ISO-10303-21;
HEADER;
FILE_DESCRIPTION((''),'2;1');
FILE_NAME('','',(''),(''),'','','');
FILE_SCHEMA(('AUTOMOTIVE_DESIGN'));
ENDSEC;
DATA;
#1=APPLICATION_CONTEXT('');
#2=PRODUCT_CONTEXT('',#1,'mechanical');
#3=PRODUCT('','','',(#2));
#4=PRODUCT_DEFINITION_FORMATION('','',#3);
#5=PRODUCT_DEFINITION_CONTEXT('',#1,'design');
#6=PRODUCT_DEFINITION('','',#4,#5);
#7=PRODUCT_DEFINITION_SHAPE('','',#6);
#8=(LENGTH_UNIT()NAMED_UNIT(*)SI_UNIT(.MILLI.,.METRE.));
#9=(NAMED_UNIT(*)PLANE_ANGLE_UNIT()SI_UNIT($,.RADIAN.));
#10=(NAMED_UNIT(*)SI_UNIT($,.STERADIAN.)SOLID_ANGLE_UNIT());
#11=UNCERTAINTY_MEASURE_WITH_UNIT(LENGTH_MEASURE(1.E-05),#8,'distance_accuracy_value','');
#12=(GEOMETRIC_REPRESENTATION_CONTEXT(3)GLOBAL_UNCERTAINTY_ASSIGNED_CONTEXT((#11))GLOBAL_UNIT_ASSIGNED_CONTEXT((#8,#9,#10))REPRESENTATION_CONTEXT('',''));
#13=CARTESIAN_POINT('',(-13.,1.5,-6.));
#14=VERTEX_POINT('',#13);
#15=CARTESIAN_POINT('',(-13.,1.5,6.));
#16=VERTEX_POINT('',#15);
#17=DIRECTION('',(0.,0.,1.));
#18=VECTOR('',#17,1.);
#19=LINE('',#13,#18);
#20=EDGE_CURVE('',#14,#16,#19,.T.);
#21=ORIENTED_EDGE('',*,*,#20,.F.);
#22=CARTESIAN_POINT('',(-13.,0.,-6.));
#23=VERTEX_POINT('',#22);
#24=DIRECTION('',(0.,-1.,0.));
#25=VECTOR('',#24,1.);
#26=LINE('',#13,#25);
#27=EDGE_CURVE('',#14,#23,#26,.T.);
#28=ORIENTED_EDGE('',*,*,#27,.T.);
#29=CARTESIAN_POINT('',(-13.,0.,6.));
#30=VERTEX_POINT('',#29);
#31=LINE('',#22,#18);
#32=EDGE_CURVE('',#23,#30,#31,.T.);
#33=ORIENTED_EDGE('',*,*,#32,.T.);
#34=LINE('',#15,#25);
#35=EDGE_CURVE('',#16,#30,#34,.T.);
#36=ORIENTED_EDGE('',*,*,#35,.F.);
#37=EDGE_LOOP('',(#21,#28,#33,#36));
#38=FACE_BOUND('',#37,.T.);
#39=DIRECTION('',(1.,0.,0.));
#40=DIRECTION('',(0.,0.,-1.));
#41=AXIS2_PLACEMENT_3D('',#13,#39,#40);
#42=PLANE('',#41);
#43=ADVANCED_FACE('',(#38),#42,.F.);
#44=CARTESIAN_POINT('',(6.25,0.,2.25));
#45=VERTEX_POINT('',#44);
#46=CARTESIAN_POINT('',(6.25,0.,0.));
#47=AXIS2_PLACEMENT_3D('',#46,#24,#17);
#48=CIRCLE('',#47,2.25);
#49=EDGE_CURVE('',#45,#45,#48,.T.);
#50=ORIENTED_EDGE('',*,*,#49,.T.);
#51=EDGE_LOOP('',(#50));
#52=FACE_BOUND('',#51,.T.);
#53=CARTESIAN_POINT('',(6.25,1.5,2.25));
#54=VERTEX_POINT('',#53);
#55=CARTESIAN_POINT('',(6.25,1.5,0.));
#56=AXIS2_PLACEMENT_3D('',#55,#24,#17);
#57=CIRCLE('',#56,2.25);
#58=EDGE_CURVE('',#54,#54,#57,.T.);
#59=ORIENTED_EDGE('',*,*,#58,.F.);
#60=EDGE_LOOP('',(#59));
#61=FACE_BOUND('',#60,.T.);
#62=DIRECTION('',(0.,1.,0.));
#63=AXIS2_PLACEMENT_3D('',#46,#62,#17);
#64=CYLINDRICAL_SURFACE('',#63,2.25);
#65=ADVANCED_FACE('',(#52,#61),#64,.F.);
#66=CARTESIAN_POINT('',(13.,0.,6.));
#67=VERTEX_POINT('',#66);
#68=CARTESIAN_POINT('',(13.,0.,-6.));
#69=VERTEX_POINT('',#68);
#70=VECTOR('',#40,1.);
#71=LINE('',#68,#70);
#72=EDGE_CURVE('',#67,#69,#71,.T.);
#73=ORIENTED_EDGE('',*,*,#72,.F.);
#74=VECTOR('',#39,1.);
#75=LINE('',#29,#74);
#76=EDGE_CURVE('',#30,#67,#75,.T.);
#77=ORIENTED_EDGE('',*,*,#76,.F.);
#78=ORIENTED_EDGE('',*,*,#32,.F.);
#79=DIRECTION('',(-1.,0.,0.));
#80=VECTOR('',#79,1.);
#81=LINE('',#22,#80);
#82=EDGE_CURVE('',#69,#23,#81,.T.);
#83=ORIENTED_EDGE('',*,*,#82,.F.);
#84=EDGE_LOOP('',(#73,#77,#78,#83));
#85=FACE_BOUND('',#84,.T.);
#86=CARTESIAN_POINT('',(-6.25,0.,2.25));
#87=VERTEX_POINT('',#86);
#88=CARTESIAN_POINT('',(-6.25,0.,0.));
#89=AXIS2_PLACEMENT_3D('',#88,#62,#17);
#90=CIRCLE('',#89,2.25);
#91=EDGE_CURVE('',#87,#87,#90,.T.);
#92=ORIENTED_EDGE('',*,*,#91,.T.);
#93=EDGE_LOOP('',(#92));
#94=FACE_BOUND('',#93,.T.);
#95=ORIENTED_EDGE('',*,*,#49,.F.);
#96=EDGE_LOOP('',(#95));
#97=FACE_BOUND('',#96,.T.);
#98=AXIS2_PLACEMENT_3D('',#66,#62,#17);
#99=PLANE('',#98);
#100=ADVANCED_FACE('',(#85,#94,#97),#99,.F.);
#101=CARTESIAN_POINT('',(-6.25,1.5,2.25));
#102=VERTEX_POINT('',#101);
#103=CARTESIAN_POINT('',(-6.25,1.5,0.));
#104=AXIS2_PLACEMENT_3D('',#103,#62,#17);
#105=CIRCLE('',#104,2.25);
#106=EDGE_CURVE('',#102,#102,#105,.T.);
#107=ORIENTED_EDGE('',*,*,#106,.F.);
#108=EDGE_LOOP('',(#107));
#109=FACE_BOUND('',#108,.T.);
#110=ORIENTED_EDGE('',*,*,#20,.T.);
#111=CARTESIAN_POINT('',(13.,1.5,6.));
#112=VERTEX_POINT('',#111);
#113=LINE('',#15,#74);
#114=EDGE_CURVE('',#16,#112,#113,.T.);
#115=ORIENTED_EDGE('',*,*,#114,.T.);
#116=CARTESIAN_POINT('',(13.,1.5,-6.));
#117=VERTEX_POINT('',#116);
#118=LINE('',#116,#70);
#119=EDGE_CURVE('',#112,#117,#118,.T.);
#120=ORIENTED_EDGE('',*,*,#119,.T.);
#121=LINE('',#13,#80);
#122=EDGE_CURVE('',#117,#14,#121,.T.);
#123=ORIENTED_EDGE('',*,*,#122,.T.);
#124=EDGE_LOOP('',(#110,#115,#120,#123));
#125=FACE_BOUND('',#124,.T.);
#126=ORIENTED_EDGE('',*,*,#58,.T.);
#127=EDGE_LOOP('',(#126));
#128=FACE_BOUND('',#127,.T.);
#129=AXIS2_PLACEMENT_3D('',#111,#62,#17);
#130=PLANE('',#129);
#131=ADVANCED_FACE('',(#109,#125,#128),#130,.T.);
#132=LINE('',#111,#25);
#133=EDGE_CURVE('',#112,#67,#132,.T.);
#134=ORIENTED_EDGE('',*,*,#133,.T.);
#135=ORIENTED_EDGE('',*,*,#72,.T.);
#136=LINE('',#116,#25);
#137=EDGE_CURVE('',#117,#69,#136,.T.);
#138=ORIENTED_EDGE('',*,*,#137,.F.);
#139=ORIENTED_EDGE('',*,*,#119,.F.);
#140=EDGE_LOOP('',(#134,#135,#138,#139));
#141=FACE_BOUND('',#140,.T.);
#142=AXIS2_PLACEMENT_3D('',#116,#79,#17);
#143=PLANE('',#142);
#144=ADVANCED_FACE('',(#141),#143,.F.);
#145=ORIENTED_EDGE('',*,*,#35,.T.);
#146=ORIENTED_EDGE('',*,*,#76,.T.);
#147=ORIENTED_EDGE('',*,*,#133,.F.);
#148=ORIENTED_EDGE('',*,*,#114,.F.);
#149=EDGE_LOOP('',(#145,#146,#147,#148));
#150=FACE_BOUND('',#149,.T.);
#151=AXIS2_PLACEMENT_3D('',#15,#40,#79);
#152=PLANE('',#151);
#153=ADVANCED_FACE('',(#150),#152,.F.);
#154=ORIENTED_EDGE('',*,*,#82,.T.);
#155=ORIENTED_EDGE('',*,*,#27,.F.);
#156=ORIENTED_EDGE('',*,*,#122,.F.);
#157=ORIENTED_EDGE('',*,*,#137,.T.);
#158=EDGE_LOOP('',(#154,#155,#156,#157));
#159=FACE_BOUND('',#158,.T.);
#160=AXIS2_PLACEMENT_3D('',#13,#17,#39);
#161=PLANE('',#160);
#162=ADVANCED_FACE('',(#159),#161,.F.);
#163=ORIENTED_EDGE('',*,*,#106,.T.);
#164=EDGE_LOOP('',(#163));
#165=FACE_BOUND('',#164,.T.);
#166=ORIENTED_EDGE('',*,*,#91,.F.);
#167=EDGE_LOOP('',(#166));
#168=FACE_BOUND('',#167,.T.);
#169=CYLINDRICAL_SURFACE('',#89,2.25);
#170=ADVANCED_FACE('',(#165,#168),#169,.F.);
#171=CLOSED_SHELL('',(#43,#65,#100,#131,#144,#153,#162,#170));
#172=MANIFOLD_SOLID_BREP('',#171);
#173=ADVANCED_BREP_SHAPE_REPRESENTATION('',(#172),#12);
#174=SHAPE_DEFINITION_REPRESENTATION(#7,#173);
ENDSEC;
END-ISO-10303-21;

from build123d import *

# Parameters (mm, degrees)
SKETCH1_W           = 26
SKETCH1_H           = 12
BOSS_EXTRUDE1_DEPTH = 1.5
SKETCH2_R           = 2.25
CUT_EXTRUDE1_DEPTH  = 2.5


with BuildPart() as part:
    # Sketch1 → Boss-Extrude1 (new body)
    with BuildSketch(Plane(origin=(0, 0, 0), x_dir=(1, 0, 0), z_dir=(0, 1, 0))):
        Rectangle(SKETCH1_W, SKETCH1_H)
    extrude(amount=BOSS_EXTRUDE1_DEPTH)

    # Sketch2 → Cut-Extrude1 (cut, through all)
    with BuildSketch(Plane(origin=(0, 1.5, 0), x_dir=(1, 0, 0), z_dir=(0, 1, 0))):
        with Locations(Location((-6.25, 0, 0), (0, 0, 270))):  # turned: the seam where the file's is
            Circle(SKETCH2_R)
    cut_extrude1 = extrude(amount=-CUT_EXTRUDE1_DEPTH, mode=Mode.SUBTRACT)

    # Mirror1: Cut-Extrude1 across plane
    add(cut_extrude1.mirror(Plane(origin=(0, 0, 0), x_dir=(0, 0, 1), z_dir=(1, 0, 0))), mode=Mode.SUBTRACT)


solid = part.part
